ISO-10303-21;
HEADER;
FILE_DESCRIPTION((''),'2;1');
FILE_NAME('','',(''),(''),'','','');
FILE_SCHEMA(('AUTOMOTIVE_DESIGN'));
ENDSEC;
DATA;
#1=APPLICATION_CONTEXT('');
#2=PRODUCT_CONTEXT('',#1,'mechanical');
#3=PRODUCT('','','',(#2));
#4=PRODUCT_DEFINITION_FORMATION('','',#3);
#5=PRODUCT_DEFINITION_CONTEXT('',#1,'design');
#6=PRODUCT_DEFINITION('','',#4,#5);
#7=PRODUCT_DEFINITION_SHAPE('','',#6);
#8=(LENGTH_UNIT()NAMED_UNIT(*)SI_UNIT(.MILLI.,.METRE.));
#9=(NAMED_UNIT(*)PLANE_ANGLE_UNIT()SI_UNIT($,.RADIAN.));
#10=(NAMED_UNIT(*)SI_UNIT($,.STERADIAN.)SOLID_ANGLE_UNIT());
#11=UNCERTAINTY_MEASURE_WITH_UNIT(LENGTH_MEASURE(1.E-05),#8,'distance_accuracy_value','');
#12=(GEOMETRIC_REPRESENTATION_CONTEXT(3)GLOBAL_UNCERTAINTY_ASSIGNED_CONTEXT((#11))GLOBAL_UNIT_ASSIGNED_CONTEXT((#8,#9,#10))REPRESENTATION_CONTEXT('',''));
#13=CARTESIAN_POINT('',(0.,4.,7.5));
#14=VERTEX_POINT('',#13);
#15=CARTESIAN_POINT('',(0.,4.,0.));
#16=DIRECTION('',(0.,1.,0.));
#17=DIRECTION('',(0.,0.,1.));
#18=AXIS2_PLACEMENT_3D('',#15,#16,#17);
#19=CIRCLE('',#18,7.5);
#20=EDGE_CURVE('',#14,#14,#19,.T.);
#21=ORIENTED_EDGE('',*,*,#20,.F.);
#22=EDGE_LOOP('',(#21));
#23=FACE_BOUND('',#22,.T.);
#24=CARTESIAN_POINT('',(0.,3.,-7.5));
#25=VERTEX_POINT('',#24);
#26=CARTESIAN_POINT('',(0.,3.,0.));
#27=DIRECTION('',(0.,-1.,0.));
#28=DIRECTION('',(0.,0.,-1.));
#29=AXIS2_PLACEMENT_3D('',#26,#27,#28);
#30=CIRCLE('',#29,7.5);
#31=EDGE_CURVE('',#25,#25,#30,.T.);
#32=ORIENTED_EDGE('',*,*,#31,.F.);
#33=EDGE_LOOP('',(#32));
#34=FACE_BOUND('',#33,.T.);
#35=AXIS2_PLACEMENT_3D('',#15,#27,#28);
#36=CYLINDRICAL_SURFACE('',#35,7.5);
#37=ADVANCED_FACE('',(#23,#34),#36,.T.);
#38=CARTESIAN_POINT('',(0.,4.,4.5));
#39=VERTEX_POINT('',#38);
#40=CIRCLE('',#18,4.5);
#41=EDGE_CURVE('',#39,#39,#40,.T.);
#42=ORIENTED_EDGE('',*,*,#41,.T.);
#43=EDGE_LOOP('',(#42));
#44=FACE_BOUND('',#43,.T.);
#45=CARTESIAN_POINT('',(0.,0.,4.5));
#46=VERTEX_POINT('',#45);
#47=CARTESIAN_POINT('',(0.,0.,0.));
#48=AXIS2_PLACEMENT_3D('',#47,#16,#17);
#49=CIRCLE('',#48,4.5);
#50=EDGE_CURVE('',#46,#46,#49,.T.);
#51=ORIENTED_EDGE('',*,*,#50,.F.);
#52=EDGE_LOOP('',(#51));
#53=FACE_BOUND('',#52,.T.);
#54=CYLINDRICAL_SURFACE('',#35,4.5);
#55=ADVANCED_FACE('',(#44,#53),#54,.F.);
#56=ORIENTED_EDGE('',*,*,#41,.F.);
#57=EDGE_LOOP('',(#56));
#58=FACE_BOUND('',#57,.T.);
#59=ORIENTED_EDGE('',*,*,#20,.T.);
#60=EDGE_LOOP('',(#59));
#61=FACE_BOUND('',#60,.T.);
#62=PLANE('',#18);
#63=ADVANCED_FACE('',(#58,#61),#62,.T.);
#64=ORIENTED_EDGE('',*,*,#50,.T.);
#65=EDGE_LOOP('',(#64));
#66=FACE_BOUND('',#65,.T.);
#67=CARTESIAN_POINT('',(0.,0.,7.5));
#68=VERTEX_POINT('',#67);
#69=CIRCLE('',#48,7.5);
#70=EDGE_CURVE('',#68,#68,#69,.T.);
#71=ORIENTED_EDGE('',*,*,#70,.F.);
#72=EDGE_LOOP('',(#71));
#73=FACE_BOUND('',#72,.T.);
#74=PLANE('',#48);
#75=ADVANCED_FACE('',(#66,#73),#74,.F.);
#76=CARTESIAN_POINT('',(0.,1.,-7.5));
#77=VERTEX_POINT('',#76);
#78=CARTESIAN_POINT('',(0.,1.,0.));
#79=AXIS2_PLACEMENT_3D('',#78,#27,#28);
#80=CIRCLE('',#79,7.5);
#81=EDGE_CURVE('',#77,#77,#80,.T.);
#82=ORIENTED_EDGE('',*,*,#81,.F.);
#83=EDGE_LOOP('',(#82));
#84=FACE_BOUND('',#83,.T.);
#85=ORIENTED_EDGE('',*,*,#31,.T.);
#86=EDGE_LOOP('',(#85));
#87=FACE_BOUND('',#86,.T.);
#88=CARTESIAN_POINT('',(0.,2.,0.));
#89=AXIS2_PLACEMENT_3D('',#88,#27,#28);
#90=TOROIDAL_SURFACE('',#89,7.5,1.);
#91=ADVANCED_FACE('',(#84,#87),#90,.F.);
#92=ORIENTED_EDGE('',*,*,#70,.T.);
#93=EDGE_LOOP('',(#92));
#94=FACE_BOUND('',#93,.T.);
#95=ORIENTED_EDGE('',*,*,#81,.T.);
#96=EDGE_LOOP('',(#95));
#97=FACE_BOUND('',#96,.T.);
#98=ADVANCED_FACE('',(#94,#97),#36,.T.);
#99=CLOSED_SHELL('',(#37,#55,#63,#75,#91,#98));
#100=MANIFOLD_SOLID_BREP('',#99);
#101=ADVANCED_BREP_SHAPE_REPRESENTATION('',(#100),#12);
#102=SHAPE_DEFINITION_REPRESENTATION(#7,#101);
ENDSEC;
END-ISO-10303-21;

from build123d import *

# Parameters (mm, degrees)
SKETCH1_R           = 7.5
SKETCH1_R_2         = 4.5
BOSS_EXTRUDE1_DEPTH = 4


with BuildPart() as part:
    # Sketch1 → Boss-Extrude1 (new body)
    with BuildSketch(Plane(origin=(0, 0, 0), x_dir=(1, 0, 0), z_dir=(0, 1, 0))):
        Circle(SKETCH1_R)
        Circle(SKETCH1_R_2, mode=Mode.SUBTRACT)
    extrude(amount=BOSS_EXTRUDE1_DEPTH)

    # Sketch3 → Cut-Revolve1 (revolve, cut)
    with BuildSketch(Plane.XY):
        with BuildLine():
            Line((-7.5, 1), (-7.5, 3))
            ThreePointArc((-7.5, 3), (-6.5, 2), (-7.5, 1))
        make_face()
    revolve(axis=Axis((0, 0, 0), (0, 1, 0)), mode=Mode.SUBTRACT)


solid = part.part
